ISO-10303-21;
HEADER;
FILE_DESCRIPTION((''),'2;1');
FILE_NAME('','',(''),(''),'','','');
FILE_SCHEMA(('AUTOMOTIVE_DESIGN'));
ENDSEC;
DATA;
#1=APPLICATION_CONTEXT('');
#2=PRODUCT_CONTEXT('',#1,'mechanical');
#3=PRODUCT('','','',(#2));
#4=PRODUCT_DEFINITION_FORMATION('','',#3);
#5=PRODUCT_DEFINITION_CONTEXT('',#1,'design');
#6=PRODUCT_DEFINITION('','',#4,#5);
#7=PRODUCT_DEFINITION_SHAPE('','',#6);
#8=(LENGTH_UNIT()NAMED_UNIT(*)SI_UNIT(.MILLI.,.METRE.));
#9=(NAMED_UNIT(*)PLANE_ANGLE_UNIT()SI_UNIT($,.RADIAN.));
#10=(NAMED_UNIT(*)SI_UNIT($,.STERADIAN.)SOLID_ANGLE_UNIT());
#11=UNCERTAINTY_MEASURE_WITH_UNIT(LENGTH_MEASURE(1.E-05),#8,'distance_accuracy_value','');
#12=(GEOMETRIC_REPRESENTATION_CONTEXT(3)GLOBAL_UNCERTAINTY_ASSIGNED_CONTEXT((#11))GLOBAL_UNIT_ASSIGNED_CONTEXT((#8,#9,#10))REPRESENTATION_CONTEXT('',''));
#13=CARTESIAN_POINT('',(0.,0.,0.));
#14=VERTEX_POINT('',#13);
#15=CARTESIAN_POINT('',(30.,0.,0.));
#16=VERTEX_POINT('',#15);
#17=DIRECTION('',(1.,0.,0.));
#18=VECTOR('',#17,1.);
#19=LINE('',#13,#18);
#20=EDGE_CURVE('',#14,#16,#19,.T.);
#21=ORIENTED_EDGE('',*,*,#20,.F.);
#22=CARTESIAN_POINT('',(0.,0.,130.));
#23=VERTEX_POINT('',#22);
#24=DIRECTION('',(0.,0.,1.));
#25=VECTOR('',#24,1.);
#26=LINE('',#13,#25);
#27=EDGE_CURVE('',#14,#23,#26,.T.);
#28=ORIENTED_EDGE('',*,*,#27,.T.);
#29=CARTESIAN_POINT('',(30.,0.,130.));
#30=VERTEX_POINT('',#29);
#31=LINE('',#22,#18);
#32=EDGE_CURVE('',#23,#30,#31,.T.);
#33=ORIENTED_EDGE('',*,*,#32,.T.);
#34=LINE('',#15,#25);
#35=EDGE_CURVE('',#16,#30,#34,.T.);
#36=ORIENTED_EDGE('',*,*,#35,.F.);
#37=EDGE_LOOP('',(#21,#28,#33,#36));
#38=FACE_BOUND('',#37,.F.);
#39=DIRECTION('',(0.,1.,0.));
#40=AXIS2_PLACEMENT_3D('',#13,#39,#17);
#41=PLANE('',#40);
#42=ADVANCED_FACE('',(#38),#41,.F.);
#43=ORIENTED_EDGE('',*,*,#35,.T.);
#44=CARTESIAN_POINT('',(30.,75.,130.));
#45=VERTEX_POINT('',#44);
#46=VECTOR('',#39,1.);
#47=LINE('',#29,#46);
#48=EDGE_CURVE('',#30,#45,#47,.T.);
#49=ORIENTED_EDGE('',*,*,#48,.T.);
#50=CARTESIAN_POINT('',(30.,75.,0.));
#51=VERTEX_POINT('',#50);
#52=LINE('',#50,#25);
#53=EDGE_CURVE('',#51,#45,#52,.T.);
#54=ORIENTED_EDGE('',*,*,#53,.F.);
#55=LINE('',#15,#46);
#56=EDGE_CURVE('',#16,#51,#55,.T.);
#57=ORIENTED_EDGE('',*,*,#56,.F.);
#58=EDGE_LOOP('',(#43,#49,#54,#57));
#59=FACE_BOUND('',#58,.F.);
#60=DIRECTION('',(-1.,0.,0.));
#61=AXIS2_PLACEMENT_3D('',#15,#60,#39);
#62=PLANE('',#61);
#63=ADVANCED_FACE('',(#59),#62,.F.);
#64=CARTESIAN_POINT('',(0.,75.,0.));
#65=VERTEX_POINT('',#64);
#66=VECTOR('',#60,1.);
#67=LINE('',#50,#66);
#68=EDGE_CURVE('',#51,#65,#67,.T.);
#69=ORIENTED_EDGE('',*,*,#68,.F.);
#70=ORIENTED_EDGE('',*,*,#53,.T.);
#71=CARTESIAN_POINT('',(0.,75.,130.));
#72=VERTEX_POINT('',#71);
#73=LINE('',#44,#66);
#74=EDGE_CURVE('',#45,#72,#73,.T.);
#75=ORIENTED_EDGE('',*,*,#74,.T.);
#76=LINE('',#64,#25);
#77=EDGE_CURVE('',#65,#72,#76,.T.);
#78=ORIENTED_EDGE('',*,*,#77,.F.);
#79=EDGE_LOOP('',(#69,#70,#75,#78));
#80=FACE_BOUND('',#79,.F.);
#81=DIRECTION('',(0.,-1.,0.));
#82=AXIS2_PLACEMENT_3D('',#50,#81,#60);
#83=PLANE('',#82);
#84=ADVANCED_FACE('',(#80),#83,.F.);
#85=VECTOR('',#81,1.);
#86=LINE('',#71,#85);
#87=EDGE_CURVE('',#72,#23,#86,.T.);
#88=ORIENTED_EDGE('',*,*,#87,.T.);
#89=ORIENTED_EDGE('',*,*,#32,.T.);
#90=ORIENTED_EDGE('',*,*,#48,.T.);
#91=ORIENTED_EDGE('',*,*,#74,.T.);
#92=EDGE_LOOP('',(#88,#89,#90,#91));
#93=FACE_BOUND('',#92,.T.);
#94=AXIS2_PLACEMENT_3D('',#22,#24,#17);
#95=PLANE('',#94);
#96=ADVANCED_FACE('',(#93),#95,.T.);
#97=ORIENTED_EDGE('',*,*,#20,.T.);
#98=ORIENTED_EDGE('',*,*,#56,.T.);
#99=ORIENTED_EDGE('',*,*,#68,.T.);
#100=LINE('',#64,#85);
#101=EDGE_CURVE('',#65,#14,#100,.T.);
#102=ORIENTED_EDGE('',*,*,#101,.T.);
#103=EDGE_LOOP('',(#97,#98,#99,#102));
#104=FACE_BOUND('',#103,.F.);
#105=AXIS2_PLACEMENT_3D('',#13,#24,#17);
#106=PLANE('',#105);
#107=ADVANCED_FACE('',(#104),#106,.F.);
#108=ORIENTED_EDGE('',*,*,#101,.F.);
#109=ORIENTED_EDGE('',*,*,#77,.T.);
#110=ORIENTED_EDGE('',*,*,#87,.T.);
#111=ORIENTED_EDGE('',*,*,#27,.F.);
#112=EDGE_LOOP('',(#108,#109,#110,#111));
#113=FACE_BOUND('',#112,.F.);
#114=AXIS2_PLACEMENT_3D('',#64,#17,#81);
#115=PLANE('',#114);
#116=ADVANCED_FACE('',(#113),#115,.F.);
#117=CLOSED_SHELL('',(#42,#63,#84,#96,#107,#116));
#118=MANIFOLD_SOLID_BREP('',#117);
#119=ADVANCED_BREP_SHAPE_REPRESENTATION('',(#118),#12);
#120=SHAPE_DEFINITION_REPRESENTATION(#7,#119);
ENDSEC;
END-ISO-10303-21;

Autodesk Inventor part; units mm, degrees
ref_plane "YZ Plane" through (0, 0, 0) normal (1, 0, 0) x (0, 1, 0)
ref_plane "XZ Plane" through (0, 0, 0) normal (0, 1, 0) x (-1, 0, 0)
ref_plane "XY Plane" through (0, 0, 0) normal (0, 0, 1) x (1, 0, 0)
sketch "Sketch1" plane through (0, 0, 0) normal (0, 0, 1) x (1, 0, 0)
  line L0 (0, 0) -> (30, 0)
  line L1 (30, 0) -> (30, 75)
  line L2 (30, 75) -> (0, 75)
  line L3 (0, 75) -> (0, 0)
  dimension "d0" = 30
  dimension "d1" = 75
extrude "Extrusion1" add sketch "Sketch1" along normal blind 130
properties part number "Caja"
